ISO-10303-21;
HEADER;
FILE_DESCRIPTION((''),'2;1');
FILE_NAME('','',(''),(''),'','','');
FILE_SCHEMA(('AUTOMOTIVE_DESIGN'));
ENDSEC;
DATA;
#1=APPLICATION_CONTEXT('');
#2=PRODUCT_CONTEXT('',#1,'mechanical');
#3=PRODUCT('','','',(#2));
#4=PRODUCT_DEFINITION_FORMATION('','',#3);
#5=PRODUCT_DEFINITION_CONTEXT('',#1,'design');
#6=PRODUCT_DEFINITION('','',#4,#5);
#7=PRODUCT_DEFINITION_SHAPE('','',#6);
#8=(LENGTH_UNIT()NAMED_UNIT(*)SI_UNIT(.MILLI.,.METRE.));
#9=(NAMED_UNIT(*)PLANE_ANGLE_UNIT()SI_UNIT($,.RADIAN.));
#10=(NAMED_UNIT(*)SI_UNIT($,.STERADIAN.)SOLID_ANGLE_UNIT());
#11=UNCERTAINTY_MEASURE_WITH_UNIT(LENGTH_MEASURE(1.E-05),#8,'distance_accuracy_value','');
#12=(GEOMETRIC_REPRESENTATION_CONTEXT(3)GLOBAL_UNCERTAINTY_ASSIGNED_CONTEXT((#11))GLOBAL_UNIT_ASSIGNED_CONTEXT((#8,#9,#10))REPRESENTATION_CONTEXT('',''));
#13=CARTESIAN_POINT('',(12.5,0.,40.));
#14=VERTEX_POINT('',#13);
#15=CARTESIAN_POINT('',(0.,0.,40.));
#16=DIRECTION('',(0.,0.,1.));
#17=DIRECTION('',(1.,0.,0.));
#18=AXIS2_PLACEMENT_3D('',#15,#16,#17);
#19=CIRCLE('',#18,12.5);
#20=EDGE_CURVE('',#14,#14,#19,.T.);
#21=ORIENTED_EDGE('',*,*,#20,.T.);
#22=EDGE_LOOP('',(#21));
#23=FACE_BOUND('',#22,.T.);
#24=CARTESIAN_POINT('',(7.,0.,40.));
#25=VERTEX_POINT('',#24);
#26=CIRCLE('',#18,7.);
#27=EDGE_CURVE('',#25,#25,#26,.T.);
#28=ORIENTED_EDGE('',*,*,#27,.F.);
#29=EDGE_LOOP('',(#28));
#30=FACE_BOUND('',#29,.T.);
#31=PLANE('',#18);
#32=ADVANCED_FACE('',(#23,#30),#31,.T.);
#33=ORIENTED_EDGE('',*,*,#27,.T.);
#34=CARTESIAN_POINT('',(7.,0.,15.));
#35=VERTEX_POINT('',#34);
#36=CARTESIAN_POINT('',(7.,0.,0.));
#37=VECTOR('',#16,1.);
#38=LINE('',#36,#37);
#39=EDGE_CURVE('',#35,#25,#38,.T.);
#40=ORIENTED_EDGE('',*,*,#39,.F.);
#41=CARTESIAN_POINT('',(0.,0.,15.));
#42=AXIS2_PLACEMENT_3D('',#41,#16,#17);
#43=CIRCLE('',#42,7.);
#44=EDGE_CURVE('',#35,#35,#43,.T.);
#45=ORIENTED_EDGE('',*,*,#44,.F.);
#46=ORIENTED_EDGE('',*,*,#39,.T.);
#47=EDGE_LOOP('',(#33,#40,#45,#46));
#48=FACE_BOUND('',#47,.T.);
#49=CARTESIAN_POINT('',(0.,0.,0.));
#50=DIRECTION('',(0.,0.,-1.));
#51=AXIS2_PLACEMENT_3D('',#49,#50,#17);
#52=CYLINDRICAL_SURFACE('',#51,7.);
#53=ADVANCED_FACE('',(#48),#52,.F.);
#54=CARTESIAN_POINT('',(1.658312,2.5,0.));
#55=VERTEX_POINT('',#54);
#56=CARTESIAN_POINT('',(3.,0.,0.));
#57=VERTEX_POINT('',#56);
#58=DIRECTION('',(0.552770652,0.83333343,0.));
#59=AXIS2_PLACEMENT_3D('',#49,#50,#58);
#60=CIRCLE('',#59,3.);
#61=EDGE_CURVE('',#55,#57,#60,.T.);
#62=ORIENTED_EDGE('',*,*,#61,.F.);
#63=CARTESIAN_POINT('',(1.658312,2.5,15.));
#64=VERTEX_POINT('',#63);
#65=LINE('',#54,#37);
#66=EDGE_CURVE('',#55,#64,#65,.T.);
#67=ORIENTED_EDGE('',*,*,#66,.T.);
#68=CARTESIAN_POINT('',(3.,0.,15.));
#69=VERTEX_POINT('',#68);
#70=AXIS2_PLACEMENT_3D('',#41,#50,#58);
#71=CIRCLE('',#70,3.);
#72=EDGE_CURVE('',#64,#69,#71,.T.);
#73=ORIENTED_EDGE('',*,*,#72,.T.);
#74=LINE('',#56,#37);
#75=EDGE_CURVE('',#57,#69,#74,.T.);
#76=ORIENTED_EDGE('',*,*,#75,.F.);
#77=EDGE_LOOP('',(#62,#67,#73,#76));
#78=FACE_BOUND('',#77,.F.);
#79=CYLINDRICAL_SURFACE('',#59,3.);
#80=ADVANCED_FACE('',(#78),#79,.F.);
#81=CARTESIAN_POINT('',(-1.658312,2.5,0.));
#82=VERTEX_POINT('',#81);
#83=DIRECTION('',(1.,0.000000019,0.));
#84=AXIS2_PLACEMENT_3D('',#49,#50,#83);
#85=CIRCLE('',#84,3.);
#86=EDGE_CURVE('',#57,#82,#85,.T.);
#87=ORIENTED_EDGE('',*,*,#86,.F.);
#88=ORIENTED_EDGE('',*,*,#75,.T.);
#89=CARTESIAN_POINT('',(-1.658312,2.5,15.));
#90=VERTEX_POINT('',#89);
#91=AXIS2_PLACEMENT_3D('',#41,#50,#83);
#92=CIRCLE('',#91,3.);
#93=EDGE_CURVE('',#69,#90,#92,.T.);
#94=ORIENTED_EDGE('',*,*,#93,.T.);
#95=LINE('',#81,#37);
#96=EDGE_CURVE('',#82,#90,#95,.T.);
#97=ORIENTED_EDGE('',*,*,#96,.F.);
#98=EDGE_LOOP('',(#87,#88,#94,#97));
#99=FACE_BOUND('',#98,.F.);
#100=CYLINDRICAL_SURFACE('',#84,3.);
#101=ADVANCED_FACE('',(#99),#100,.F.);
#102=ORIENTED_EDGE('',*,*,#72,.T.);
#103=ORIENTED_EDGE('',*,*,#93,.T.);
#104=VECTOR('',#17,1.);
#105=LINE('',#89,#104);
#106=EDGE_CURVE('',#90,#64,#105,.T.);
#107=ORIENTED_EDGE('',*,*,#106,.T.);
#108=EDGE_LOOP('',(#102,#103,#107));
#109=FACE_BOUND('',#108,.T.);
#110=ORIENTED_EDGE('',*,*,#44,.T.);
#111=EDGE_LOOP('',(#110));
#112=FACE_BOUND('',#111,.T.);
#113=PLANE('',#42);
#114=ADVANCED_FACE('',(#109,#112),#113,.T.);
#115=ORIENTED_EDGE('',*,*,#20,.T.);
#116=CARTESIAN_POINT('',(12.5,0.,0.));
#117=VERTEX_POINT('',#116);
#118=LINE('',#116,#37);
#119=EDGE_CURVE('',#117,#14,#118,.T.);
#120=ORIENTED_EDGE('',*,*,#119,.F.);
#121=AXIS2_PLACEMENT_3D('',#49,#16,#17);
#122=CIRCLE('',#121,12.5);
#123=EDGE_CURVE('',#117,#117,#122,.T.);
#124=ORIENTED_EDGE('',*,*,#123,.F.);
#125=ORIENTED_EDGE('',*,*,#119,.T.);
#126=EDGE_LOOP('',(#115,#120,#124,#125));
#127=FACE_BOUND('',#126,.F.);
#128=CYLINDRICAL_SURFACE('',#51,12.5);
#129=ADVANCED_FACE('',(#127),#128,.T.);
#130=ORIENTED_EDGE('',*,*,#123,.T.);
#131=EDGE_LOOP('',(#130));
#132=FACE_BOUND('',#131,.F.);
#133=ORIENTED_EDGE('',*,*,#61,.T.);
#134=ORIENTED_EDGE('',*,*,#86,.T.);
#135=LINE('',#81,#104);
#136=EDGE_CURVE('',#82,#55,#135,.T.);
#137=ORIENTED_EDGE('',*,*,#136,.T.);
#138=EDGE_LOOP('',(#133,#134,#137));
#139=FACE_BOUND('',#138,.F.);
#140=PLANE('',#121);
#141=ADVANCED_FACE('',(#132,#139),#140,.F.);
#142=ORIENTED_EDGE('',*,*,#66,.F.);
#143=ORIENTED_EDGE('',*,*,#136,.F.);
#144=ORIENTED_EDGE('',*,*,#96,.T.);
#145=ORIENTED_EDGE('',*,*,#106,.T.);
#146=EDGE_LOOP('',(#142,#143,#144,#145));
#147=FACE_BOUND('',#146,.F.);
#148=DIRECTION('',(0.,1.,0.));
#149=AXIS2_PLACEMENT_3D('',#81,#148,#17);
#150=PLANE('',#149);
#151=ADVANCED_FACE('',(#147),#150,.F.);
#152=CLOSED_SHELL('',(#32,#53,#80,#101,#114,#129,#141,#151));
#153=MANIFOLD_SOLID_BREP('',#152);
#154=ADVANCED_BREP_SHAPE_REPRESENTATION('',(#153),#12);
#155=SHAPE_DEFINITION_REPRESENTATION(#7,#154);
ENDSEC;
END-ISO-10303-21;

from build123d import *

# Parameters (mm, degrees)
F0_R     = 12.5
F0_R_2   = 7
F1_DEPTH = 40
F2_DEPTH = 15


with BuildPart() as f1:
    # F0 (on Top) → F1 (new body)
    with BuildSketch(Plane.XY):
        Circle(F0_R)
        Circle(F0_R_2, mode=Mode.SUBTRACT)
    extrude(amount=F1_DEPTH)

    # F0 (on Top) → F2 (join)
    with BuildSketch(Plane.XY):
        Circle(F0_R_2)
        with BuildLine():
            ThreePointArc((1.658312, 2.5), (2.643382, 1.418637), (3, 0))
            ThreePointArc((3, 0), (-1.418637, -2.643382), (-1.658312, 2.5))
            ThreePointArc((-1.658312, 2.5), (0, 3), (1.658312, 2.5))
        make_face(mode=Mode.SUBTRACT)
        with BuildLine():
            Line((-1.658312, 2.5), (1.658312, 2.5))
            ThreePointArc((1.658312, 2.5), (0, 3), (-1.658312, 2.5))
        make_face()
    extrude(amount=F2_DEPTH)


solid = f1.part
